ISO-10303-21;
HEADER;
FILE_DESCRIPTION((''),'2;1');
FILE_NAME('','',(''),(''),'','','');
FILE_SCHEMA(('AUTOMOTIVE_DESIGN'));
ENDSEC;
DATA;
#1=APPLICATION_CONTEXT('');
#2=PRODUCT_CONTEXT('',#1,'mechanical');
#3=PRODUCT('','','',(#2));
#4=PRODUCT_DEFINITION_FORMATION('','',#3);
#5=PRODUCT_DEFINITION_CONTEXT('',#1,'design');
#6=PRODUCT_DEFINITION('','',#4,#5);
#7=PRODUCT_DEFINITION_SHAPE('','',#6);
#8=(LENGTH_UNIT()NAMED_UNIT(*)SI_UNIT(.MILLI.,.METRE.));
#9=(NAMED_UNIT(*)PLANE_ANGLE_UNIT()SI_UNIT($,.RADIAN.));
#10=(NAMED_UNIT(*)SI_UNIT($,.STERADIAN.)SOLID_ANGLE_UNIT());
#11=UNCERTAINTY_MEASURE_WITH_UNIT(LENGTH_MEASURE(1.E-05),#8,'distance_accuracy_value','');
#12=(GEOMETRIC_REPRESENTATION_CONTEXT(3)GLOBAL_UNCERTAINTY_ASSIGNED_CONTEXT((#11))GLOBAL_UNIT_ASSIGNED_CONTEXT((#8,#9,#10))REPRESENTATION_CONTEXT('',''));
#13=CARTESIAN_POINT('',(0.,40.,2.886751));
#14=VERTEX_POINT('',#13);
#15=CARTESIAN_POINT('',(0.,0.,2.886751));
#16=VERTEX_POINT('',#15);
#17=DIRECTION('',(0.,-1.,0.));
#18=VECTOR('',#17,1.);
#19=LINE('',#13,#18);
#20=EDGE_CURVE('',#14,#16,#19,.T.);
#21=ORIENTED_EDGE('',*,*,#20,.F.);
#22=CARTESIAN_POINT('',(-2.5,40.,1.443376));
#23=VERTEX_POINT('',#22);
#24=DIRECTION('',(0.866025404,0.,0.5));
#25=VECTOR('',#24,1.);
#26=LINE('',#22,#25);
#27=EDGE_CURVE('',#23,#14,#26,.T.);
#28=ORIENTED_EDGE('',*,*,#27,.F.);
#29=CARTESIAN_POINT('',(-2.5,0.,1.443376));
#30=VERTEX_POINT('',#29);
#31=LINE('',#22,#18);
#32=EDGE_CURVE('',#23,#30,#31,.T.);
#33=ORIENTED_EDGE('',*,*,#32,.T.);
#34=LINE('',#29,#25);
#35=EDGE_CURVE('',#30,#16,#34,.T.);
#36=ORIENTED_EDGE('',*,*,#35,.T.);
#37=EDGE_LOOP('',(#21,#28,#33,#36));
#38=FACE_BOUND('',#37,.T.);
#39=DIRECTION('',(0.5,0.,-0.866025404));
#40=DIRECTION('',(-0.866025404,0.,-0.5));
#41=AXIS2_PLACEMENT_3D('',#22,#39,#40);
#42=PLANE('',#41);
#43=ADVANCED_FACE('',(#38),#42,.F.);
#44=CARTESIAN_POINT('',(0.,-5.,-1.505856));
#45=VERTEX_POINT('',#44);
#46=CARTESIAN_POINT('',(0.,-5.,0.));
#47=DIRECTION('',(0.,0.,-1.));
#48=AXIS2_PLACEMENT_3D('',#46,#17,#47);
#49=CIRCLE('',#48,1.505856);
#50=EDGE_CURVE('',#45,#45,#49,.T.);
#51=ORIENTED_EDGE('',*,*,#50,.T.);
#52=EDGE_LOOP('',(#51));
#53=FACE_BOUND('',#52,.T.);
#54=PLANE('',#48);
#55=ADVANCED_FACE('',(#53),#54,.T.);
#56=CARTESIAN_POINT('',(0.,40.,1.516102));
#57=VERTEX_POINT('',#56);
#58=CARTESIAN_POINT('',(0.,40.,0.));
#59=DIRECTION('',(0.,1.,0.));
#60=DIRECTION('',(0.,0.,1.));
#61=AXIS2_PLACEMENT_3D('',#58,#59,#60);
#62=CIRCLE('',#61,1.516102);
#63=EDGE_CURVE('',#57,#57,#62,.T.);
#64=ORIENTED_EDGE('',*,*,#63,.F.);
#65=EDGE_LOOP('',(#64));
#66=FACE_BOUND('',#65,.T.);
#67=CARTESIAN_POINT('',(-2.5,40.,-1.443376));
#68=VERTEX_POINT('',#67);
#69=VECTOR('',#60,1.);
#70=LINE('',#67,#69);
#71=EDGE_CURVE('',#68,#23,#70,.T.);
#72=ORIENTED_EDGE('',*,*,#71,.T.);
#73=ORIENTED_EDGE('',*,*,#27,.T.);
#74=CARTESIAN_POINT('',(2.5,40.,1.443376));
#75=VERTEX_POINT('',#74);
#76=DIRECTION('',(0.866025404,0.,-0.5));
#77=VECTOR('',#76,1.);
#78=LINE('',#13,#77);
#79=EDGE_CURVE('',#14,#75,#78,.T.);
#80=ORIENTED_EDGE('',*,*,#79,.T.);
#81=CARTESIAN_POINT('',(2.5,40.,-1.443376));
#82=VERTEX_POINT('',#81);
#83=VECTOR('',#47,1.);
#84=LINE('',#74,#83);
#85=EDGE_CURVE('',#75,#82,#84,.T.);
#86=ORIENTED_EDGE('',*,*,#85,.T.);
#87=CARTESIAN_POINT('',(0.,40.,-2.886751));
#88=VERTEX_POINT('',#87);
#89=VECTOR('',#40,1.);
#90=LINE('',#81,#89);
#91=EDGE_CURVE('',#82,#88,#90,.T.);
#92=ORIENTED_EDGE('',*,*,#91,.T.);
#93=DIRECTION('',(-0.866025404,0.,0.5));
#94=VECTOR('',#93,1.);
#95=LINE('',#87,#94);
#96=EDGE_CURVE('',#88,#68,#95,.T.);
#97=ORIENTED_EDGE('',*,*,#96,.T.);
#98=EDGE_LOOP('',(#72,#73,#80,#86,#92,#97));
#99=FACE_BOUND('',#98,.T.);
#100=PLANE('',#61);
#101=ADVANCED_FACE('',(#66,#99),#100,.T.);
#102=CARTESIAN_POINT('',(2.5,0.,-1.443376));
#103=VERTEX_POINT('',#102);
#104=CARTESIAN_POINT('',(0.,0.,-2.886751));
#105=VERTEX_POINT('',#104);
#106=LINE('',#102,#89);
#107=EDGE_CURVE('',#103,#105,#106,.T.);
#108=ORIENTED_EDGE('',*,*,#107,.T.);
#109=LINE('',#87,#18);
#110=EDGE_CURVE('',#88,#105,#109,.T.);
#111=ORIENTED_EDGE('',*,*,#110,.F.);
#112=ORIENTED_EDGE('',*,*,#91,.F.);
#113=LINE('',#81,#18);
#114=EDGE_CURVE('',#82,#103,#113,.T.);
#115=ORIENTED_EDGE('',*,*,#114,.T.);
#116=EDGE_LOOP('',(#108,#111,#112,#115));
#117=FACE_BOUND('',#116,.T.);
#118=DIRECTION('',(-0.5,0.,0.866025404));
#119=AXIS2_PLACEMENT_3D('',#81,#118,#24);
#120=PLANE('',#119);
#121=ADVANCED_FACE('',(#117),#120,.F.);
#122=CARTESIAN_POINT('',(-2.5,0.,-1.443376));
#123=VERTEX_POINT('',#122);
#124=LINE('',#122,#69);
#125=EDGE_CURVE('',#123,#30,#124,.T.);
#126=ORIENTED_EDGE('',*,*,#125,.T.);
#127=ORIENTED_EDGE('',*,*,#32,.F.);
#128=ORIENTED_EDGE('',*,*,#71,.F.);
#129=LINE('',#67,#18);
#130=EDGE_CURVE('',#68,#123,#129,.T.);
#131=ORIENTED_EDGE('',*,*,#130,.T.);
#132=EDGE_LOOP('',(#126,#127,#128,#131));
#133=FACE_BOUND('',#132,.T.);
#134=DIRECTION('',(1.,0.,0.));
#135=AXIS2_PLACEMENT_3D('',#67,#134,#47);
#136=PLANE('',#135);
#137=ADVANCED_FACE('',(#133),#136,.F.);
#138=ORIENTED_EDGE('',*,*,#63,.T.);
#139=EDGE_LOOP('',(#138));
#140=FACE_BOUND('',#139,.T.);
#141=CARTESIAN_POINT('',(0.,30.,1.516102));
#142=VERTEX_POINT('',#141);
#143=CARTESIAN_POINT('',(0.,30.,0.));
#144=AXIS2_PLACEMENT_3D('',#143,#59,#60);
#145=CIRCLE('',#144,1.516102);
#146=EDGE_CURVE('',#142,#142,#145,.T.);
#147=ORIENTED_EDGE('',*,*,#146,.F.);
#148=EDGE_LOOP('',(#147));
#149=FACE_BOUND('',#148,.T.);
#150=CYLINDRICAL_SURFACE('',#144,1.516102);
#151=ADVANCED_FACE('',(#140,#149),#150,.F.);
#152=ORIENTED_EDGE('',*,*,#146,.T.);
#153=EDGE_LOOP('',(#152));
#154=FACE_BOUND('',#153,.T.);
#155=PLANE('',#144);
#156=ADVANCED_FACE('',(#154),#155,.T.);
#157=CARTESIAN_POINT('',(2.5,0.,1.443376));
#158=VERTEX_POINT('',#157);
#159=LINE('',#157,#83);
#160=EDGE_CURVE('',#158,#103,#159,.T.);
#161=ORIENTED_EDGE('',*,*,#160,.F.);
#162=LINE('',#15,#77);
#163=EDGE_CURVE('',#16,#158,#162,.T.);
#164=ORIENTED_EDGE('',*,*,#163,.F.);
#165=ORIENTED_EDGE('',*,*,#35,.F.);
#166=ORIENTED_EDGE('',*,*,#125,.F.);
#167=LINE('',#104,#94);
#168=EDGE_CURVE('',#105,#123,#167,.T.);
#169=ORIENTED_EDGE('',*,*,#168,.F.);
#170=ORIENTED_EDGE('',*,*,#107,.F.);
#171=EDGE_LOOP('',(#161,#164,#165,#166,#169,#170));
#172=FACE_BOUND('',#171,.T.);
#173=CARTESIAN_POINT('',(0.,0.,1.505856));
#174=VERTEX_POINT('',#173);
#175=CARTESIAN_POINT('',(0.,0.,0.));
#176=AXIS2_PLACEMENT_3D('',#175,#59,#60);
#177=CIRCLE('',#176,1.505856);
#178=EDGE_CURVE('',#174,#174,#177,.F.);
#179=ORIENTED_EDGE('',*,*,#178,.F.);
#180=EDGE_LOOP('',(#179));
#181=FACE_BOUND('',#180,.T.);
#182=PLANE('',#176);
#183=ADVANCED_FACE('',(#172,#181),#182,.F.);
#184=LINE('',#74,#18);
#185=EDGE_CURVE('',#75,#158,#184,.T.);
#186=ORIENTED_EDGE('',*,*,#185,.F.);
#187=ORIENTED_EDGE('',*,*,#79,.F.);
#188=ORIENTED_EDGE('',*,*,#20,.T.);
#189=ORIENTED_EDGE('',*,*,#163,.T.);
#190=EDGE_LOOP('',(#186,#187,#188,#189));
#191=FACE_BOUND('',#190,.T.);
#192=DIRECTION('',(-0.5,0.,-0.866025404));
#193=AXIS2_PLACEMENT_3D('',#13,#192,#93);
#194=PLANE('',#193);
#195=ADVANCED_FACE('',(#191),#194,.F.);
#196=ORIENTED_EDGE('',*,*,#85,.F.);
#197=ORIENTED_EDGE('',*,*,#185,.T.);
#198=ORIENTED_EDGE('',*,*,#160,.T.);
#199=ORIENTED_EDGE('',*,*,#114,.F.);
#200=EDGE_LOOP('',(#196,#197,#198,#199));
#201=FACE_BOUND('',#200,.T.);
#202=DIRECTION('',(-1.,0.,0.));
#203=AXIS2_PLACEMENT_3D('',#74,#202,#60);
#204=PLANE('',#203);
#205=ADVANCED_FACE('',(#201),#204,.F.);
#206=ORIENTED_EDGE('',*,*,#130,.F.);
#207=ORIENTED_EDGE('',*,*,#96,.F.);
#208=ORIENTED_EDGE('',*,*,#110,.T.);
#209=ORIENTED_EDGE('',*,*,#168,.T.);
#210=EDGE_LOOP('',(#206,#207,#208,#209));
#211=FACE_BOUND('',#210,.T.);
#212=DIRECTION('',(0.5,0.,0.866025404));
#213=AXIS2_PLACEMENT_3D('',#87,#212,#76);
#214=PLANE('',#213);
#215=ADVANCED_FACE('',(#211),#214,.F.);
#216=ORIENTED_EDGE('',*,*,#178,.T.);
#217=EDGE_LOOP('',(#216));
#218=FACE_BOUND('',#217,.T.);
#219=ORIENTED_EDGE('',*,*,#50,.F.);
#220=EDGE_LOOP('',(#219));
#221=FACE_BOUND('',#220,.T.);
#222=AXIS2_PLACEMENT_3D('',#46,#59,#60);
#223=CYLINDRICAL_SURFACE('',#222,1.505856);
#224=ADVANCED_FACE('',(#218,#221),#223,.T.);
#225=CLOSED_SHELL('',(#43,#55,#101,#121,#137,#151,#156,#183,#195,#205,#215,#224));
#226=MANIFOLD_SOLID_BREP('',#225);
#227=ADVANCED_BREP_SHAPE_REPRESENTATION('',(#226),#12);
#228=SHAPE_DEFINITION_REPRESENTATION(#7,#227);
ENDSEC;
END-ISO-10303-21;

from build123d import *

# Parameters (mm, degrees)
BOSS_EXTRUDE1_DEPTH = 40
SKETCH2_R           = 1.516102493
CUT_EXTRUDE1_DEPTH  = 10
SKETCH3_R           = 1.505855903
BOSS_EXTRUDE2_DEPTH = 5


with BuildPart() as part:
    # Sketch1 → Boss-Extrude1 (new body)
    with BuildSketch(Plane(origin=(0, 0, 0), x_dir=(1, 0, 0), z_dir=(0, 1, 0))):
        Polygon((0, -2.886751346), (2.5, -1.443375673), (2.5, 1.443375673), (0, 2.886751346), (-2.5, 1.443375673), (-2.5, -1.443375673), align=None)
    extrude(amount=BOSS_EXTRUDE1_DEPTH)

    # Sketch2 → Cut-Extrude1 (cut)
    with BuildSketch(Plane(origin=(0, 40, 0), x_dir=(1, 0, 0), z_dir=(0, 1, 0))):
        Circle(SKETCH2_R)
    extrude(amount=-CUT_EXTRUDE1_DEPTH, mode=Mode.SUBTRACT)

    # Sketch3 → Boss-Extrude2 (add)
    with BuildSketch(Plane.XZ):
        Circle(SKETCH3_R)
    extrude(amount=BOSS_EXTRUDE2_DEPTH)


solid = part.part
